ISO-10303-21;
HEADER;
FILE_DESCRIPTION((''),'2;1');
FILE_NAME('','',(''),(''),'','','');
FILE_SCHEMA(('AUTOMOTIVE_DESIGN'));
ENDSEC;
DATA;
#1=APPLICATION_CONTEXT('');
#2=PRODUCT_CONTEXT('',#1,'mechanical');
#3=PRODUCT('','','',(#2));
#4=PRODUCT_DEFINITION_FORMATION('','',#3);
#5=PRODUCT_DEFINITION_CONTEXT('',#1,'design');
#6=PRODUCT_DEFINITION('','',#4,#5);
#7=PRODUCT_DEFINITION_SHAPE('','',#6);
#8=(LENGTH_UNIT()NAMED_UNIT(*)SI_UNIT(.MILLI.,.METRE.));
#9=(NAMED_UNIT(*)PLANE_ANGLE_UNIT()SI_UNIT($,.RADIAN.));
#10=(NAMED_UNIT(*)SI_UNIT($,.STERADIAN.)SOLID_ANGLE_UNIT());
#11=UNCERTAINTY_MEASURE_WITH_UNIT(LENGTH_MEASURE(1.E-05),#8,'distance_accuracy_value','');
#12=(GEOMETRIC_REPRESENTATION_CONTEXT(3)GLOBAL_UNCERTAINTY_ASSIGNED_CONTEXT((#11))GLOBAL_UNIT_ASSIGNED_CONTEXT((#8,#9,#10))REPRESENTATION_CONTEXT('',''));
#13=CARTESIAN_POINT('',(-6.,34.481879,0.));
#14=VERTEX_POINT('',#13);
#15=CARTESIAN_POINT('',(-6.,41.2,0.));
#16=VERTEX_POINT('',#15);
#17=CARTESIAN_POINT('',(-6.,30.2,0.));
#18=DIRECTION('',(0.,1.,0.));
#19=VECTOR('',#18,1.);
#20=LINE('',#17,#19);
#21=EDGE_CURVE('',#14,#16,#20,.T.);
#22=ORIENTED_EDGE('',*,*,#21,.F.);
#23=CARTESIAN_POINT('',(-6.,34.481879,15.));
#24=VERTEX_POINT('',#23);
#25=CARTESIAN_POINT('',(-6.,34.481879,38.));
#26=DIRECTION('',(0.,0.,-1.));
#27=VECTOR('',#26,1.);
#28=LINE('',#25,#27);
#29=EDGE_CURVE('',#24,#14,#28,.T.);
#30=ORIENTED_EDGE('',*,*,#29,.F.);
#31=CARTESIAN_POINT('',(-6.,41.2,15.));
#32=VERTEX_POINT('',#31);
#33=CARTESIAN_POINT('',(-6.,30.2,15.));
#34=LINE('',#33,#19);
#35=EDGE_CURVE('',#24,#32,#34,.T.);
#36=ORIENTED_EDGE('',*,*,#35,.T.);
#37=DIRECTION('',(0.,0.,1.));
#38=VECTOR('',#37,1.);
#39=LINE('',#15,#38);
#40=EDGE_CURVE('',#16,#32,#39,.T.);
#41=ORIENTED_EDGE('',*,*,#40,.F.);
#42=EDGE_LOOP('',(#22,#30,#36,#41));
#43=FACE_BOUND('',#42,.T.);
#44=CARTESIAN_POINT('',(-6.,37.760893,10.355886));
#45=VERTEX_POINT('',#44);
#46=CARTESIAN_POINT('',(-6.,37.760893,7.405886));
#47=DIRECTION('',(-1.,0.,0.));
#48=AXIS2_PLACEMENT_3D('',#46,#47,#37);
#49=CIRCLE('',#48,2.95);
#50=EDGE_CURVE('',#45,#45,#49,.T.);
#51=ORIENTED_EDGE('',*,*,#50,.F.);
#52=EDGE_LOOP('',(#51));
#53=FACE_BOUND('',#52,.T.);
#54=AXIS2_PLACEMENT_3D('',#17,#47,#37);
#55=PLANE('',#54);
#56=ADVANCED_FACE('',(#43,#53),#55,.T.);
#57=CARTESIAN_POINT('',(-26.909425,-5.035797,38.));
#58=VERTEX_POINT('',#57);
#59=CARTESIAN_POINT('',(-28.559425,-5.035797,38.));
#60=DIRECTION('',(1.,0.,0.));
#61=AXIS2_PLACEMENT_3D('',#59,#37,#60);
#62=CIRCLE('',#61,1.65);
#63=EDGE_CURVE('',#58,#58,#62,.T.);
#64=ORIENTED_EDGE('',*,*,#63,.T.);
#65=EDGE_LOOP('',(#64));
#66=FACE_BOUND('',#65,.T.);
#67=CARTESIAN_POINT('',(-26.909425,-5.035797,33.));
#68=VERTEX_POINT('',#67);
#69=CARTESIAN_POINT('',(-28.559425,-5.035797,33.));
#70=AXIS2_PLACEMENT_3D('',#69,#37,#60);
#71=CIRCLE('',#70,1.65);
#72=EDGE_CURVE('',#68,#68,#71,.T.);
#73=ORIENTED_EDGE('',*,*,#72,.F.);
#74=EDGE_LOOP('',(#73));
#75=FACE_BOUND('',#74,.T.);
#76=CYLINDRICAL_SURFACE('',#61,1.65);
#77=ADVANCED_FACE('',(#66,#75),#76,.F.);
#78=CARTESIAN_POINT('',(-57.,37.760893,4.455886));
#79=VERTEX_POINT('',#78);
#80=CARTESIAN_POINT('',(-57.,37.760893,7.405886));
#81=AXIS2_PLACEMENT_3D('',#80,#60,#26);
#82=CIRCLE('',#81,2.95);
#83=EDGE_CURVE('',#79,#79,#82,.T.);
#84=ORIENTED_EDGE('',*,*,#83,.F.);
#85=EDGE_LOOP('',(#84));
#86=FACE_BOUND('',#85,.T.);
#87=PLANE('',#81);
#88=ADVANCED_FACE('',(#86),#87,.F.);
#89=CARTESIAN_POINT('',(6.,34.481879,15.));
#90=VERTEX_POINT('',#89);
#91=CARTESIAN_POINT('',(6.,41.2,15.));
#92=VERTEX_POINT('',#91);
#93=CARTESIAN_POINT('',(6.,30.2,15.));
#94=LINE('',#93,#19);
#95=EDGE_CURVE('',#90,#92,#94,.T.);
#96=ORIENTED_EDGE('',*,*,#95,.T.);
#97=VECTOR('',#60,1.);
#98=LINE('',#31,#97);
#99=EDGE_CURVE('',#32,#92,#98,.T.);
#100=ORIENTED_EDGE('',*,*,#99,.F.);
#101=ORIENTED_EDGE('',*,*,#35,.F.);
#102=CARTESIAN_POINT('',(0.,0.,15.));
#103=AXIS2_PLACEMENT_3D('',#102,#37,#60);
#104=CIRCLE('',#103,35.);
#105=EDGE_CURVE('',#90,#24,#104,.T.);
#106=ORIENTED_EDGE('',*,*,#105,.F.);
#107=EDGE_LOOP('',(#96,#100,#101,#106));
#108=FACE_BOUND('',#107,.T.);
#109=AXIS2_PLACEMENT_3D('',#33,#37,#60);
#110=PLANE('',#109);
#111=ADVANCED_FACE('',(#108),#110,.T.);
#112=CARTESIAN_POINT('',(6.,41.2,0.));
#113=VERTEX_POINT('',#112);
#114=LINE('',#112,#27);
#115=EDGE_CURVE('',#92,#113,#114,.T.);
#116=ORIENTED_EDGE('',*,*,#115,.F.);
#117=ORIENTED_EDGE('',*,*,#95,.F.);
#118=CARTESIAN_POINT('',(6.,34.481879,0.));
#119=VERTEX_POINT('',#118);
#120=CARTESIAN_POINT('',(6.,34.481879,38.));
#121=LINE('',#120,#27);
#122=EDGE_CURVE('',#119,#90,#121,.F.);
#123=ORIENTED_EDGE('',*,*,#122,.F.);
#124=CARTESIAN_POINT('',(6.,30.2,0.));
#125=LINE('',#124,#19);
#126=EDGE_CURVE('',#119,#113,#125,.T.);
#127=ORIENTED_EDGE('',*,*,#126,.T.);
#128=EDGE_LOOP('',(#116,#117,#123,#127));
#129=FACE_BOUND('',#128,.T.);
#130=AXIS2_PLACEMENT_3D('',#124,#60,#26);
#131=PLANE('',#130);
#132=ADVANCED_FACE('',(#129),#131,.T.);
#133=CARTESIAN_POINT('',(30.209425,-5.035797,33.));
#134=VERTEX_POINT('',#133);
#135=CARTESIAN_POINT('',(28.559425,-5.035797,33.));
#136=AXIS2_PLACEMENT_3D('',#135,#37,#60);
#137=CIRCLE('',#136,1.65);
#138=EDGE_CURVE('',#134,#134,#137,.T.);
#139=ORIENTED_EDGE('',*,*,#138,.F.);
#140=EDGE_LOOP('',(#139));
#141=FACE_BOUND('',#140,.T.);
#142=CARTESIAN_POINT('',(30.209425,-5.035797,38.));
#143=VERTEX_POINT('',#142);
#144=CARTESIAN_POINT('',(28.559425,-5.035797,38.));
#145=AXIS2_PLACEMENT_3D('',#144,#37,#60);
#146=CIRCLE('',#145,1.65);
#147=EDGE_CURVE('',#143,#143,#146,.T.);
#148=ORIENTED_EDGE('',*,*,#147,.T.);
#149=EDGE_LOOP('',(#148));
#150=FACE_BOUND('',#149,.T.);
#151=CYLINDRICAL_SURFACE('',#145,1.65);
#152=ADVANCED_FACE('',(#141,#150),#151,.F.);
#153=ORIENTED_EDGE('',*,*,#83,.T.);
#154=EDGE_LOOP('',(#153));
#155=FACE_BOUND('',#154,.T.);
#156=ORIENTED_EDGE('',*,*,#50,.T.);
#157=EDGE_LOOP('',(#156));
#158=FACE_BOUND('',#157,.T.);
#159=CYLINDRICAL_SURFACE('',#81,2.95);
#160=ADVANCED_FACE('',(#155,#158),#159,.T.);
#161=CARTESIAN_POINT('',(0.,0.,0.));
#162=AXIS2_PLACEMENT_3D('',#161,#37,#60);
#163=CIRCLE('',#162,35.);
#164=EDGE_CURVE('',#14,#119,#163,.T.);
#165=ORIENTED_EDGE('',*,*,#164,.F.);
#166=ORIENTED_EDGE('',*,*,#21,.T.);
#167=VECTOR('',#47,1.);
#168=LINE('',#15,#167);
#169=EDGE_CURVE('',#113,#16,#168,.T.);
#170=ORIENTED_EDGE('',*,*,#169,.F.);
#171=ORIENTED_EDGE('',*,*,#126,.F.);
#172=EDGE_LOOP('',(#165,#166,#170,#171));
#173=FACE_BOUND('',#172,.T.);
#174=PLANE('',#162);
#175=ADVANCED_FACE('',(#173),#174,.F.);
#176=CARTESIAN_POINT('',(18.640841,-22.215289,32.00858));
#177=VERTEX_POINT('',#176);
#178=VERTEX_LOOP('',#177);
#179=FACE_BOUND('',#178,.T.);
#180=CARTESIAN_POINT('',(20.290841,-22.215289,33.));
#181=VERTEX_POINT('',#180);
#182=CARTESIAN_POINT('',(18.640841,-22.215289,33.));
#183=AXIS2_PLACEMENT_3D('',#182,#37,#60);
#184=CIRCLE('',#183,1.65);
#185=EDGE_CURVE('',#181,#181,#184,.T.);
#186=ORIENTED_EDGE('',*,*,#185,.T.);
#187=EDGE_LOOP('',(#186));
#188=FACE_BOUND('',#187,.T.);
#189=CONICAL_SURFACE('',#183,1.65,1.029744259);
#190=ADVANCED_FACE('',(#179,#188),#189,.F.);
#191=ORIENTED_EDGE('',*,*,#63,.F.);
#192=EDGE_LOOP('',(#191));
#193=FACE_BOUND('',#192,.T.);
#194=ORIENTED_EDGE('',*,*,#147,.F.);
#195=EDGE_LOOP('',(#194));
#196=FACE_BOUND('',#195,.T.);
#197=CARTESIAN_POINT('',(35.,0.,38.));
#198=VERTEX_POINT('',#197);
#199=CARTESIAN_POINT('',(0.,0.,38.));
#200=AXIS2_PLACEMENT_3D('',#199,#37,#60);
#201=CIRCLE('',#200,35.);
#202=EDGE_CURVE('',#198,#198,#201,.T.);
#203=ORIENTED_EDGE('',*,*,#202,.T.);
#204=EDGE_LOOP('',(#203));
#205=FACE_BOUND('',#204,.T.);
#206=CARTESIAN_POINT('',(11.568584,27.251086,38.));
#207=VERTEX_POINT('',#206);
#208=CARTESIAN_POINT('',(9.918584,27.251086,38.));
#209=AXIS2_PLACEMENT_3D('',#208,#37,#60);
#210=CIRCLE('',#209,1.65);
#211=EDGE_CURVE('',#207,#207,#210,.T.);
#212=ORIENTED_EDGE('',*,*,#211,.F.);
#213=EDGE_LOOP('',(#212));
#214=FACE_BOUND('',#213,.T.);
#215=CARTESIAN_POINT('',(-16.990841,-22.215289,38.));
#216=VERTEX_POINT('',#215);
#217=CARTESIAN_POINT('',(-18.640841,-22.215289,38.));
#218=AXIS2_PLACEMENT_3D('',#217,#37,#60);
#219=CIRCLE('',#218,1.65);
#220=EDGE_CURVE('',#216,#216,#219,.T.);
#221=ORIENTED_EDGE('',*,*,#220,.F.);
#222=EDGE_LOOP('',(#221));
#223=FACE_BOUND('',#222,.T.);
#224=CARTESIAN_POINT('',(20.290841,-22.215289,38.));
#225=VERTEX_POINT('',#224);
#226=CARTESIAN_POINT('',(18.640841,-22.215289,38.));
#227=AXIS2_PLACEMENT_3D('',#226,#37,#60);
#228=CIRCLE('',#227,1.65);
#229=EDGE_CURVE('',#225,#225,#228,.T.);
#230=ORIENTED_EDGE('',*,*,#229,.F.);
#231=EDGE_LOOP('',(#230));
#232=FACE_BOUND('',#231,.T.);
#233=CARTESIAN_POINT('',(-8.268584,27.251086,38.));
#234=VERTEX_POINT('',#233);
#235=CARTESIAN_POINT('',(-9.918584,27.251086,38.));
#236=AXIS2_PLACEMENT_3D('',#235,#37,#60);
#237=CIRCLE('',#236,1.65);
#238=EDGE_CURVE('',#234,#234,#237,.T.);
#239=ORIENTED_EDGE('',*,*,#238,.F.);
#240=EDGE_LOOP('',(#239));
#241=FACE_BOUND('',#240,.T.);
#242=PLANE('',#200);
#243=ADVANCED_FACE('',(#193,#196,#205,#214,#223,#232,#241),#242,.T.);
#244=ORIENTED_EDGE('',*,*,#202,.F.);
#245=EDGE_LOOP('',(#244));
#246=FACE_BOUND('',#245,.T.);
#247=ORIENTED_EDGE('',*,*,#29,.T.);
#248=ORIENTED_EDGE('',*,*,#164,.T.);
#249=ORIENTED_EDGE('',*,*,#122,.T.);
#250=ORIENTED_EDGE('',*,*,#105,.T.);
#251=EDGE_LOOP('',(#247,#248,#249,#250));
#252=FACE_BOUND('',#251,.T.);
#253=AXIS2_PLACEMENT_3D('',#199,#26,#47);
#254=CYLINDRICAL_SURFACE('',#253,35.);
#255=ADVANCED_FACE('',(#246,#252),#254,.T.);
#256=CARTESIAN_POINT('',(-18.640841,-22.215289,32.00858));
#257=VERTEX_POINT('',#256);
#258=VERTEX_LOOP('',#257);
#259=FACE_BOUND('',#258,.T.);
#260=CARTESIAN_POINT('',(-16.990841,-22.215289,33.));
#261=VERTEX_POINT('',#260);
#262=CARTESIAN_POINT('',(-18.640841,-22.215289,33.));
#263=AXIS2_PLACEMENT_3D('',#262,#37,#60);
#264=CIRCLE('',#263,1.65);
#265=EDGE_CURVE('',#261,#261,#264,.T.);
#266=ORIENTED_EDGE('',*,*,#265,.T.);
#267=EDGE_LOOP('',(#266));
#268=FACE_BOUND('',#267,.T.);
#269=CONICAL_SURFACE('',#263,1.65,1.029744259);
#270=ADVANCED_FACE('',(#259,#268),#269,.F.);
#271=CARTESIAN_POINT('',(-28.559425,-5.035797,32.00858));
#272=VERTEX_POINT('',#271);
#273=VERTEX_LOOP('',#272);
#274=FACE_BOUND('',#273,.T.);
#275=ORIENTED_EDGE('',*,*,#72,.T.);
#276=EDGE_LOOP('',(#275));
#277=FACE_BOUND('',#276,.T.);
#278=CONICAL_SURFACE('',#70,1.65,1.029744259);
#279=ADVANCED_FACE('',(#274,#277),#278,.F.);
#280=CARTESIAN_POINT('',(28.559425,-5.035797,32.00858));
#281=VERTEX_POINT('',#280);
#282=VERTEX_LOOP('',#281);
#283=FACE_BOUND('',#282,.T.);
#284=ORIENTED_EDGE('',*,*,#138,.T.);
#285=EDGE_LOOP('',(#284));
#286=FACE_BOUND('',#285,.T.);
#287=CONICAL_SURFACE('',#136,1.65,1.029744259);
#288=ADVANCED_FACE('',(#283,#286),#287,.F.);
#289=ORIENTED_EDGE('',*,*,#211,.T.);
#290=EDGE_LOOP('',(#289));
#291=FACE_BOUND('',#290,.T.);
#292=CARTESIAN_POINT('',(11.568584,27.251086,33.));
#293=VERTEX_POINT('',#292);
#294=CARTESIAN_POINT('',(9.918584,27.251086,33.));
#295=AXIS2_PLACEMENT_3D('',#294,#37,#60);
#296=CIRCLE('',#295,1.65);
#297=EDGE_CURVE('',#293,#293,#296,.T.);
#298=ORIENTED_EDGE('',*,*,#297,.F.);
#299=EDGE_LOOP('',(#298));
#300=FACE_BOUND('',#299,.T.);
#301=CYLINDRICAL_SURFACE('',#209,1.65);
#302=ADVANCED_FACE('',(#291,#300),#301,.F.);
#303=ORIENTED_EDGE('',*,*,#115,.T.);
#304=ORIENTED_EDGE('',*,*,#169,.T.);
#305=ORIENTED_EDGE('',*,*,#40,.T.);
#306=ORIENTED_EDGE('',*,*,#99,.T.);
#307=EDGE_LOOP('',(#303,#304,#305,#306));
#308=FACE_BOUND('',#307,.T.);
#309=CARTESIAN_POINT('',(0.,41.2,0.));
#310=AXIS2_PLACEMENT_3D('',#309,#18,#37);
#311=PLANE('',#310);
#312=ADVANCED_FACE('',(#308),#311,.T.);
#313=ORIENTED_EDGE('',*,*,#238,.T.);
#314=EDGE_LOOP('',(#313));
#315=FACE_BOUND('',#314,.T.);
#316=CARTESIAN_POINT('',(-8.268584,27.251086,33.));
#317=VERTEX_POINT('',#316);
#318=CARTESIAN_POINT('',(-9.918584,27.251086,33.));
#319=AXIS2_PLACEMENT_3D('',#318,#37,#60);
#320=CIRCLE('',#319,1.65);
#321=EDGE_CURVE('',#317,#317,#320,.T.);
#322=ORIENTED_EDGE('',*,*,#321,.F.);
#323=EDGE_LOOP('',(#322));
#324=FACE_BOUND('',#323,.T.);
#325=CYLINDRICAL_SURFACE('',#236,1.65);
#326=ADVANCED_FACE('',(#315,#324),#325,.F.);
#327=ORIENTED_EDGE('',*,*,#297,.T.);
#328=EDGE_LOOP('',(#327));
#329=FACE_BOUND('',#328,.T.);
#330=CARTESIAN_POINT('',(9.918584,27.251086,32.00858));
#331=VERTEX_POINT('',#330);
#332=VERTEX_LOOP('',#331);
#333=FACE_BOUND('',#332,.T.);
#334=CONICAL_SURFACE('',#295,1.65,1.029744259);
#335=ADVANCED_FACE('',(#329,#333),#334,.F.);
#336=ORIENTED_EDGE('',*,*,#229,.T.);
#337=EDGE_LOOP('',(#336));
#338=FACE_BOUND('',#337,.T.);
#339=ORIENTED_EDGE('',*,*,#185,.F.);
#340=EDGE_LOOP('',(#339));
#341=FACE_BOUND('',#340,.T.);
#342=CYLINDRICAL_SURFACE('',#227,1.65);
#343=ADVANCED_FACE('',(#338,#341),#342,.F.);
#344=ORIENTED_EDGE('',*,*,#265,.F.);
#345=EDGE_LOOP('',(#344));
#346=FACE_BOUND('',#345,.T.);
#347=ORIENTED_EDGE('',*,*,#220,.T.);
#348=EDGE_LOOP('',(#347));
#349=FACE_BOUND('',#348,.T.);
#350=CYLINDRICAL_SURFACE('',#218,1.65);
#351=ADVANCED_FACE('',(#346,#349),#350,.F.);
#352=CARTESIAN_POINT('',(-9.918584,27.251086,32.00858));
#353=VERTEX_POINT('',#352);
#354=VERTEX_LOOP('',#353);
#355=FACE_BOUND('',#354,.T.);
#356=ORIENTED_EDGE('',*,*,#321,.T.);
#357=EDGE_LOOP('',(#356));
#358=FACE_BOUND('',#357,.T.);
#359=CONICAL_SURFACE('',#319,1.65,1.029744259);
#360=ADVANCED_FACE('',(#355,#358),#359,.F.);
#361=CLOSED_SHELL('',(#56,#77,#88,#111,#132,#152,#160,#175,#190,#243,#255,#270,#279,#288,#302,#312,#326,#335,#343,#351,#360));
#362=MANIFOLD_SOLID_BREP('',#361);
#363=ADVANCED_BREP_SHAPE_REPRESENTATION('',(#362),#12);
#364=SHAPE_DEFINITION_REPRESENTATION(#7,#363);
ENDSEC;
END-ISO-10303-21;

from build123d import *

# Parameters (mm, degrees)
SKETCH_1_R             = 35
EXTRUDE_1_DEPTH        = 38
SKETCH_2_W             = 12
SKETCH_2_H             = 15
EXTRUDE_2_DEPTH        = 11
SKETCH_3_R             = 2.95
EXTRUDE_3_DEPTH        = 63
HOLE_WIZARD_M4_1_D     = 3.3
HOLE_WIZARD_M4_1_DEPTH = 5
HOLE_WIZARD_M4_1_TIP   = 0.991420021


with BuildPart() as part:
    # 草图1 → 凸台-拉伸1 (new body)
    with BuildSketch(Plane.XY):
        Circle(SKETCH_1_R)
    extrude(amount=EXTRUDE_1_DEPTH)

    # 草图2 → 凸台-拉伸2 (add)
    with BuildSketch(Plane(origin=(0, 41.2, 0), x_dir=(1, 0, 0), z_dir=(0, 1, 0))):
        with Locations((0, -7.5)):
            Rectangle(SKETCH_2_W, SKETCH_2_H)
    extrude(amount=-EXTRUDE_2_DEPTH)

    # 草图3 → 凸台-拉伸3 (add)
    with BuildSketch(Plane(origin=(6, 0, 0), x_dir=(0, 0, -1), z_dir=(1, 0, 0))):
        with Locations((-7.405885861, 37.760893476)):
            Circle(SKETCH_3_R)
    extrude(amount=-EXTRUDE_3_DEPTH)

    # M4 螺纹孔的螺纹孔钻头1
    with Locations(Plane(origin=(-9.918584156, 27.251086003, 38), x_dir=(1, 0, 0), z_dir=(0, 0, 1))):
        with Locations((0, 0), (19.837168312, 0), (38.478008993, -32.286883155), (28.559424837, -49.466374853), (-8.722256525, -49.466374853), (-18.640840681, -32.286883155)):
            Hole(HOLE_WIZARD_M4_1_D / 2, depth=HOLE_WIZARD_M4_1_DEPTH)
            with Locations((0, 0, -(HOLE_WIZARD_M4_1_DEPTH + HOLE_WIZARD_M4_1_TIP / 2))):  # 118° drill point
                Cone(0, HOLE_WIZARD_M4_1_D / 2, HOLE_WIZARD_M4_1_TIP, mode=Mode.SUBTRACT)


solid = part.part
